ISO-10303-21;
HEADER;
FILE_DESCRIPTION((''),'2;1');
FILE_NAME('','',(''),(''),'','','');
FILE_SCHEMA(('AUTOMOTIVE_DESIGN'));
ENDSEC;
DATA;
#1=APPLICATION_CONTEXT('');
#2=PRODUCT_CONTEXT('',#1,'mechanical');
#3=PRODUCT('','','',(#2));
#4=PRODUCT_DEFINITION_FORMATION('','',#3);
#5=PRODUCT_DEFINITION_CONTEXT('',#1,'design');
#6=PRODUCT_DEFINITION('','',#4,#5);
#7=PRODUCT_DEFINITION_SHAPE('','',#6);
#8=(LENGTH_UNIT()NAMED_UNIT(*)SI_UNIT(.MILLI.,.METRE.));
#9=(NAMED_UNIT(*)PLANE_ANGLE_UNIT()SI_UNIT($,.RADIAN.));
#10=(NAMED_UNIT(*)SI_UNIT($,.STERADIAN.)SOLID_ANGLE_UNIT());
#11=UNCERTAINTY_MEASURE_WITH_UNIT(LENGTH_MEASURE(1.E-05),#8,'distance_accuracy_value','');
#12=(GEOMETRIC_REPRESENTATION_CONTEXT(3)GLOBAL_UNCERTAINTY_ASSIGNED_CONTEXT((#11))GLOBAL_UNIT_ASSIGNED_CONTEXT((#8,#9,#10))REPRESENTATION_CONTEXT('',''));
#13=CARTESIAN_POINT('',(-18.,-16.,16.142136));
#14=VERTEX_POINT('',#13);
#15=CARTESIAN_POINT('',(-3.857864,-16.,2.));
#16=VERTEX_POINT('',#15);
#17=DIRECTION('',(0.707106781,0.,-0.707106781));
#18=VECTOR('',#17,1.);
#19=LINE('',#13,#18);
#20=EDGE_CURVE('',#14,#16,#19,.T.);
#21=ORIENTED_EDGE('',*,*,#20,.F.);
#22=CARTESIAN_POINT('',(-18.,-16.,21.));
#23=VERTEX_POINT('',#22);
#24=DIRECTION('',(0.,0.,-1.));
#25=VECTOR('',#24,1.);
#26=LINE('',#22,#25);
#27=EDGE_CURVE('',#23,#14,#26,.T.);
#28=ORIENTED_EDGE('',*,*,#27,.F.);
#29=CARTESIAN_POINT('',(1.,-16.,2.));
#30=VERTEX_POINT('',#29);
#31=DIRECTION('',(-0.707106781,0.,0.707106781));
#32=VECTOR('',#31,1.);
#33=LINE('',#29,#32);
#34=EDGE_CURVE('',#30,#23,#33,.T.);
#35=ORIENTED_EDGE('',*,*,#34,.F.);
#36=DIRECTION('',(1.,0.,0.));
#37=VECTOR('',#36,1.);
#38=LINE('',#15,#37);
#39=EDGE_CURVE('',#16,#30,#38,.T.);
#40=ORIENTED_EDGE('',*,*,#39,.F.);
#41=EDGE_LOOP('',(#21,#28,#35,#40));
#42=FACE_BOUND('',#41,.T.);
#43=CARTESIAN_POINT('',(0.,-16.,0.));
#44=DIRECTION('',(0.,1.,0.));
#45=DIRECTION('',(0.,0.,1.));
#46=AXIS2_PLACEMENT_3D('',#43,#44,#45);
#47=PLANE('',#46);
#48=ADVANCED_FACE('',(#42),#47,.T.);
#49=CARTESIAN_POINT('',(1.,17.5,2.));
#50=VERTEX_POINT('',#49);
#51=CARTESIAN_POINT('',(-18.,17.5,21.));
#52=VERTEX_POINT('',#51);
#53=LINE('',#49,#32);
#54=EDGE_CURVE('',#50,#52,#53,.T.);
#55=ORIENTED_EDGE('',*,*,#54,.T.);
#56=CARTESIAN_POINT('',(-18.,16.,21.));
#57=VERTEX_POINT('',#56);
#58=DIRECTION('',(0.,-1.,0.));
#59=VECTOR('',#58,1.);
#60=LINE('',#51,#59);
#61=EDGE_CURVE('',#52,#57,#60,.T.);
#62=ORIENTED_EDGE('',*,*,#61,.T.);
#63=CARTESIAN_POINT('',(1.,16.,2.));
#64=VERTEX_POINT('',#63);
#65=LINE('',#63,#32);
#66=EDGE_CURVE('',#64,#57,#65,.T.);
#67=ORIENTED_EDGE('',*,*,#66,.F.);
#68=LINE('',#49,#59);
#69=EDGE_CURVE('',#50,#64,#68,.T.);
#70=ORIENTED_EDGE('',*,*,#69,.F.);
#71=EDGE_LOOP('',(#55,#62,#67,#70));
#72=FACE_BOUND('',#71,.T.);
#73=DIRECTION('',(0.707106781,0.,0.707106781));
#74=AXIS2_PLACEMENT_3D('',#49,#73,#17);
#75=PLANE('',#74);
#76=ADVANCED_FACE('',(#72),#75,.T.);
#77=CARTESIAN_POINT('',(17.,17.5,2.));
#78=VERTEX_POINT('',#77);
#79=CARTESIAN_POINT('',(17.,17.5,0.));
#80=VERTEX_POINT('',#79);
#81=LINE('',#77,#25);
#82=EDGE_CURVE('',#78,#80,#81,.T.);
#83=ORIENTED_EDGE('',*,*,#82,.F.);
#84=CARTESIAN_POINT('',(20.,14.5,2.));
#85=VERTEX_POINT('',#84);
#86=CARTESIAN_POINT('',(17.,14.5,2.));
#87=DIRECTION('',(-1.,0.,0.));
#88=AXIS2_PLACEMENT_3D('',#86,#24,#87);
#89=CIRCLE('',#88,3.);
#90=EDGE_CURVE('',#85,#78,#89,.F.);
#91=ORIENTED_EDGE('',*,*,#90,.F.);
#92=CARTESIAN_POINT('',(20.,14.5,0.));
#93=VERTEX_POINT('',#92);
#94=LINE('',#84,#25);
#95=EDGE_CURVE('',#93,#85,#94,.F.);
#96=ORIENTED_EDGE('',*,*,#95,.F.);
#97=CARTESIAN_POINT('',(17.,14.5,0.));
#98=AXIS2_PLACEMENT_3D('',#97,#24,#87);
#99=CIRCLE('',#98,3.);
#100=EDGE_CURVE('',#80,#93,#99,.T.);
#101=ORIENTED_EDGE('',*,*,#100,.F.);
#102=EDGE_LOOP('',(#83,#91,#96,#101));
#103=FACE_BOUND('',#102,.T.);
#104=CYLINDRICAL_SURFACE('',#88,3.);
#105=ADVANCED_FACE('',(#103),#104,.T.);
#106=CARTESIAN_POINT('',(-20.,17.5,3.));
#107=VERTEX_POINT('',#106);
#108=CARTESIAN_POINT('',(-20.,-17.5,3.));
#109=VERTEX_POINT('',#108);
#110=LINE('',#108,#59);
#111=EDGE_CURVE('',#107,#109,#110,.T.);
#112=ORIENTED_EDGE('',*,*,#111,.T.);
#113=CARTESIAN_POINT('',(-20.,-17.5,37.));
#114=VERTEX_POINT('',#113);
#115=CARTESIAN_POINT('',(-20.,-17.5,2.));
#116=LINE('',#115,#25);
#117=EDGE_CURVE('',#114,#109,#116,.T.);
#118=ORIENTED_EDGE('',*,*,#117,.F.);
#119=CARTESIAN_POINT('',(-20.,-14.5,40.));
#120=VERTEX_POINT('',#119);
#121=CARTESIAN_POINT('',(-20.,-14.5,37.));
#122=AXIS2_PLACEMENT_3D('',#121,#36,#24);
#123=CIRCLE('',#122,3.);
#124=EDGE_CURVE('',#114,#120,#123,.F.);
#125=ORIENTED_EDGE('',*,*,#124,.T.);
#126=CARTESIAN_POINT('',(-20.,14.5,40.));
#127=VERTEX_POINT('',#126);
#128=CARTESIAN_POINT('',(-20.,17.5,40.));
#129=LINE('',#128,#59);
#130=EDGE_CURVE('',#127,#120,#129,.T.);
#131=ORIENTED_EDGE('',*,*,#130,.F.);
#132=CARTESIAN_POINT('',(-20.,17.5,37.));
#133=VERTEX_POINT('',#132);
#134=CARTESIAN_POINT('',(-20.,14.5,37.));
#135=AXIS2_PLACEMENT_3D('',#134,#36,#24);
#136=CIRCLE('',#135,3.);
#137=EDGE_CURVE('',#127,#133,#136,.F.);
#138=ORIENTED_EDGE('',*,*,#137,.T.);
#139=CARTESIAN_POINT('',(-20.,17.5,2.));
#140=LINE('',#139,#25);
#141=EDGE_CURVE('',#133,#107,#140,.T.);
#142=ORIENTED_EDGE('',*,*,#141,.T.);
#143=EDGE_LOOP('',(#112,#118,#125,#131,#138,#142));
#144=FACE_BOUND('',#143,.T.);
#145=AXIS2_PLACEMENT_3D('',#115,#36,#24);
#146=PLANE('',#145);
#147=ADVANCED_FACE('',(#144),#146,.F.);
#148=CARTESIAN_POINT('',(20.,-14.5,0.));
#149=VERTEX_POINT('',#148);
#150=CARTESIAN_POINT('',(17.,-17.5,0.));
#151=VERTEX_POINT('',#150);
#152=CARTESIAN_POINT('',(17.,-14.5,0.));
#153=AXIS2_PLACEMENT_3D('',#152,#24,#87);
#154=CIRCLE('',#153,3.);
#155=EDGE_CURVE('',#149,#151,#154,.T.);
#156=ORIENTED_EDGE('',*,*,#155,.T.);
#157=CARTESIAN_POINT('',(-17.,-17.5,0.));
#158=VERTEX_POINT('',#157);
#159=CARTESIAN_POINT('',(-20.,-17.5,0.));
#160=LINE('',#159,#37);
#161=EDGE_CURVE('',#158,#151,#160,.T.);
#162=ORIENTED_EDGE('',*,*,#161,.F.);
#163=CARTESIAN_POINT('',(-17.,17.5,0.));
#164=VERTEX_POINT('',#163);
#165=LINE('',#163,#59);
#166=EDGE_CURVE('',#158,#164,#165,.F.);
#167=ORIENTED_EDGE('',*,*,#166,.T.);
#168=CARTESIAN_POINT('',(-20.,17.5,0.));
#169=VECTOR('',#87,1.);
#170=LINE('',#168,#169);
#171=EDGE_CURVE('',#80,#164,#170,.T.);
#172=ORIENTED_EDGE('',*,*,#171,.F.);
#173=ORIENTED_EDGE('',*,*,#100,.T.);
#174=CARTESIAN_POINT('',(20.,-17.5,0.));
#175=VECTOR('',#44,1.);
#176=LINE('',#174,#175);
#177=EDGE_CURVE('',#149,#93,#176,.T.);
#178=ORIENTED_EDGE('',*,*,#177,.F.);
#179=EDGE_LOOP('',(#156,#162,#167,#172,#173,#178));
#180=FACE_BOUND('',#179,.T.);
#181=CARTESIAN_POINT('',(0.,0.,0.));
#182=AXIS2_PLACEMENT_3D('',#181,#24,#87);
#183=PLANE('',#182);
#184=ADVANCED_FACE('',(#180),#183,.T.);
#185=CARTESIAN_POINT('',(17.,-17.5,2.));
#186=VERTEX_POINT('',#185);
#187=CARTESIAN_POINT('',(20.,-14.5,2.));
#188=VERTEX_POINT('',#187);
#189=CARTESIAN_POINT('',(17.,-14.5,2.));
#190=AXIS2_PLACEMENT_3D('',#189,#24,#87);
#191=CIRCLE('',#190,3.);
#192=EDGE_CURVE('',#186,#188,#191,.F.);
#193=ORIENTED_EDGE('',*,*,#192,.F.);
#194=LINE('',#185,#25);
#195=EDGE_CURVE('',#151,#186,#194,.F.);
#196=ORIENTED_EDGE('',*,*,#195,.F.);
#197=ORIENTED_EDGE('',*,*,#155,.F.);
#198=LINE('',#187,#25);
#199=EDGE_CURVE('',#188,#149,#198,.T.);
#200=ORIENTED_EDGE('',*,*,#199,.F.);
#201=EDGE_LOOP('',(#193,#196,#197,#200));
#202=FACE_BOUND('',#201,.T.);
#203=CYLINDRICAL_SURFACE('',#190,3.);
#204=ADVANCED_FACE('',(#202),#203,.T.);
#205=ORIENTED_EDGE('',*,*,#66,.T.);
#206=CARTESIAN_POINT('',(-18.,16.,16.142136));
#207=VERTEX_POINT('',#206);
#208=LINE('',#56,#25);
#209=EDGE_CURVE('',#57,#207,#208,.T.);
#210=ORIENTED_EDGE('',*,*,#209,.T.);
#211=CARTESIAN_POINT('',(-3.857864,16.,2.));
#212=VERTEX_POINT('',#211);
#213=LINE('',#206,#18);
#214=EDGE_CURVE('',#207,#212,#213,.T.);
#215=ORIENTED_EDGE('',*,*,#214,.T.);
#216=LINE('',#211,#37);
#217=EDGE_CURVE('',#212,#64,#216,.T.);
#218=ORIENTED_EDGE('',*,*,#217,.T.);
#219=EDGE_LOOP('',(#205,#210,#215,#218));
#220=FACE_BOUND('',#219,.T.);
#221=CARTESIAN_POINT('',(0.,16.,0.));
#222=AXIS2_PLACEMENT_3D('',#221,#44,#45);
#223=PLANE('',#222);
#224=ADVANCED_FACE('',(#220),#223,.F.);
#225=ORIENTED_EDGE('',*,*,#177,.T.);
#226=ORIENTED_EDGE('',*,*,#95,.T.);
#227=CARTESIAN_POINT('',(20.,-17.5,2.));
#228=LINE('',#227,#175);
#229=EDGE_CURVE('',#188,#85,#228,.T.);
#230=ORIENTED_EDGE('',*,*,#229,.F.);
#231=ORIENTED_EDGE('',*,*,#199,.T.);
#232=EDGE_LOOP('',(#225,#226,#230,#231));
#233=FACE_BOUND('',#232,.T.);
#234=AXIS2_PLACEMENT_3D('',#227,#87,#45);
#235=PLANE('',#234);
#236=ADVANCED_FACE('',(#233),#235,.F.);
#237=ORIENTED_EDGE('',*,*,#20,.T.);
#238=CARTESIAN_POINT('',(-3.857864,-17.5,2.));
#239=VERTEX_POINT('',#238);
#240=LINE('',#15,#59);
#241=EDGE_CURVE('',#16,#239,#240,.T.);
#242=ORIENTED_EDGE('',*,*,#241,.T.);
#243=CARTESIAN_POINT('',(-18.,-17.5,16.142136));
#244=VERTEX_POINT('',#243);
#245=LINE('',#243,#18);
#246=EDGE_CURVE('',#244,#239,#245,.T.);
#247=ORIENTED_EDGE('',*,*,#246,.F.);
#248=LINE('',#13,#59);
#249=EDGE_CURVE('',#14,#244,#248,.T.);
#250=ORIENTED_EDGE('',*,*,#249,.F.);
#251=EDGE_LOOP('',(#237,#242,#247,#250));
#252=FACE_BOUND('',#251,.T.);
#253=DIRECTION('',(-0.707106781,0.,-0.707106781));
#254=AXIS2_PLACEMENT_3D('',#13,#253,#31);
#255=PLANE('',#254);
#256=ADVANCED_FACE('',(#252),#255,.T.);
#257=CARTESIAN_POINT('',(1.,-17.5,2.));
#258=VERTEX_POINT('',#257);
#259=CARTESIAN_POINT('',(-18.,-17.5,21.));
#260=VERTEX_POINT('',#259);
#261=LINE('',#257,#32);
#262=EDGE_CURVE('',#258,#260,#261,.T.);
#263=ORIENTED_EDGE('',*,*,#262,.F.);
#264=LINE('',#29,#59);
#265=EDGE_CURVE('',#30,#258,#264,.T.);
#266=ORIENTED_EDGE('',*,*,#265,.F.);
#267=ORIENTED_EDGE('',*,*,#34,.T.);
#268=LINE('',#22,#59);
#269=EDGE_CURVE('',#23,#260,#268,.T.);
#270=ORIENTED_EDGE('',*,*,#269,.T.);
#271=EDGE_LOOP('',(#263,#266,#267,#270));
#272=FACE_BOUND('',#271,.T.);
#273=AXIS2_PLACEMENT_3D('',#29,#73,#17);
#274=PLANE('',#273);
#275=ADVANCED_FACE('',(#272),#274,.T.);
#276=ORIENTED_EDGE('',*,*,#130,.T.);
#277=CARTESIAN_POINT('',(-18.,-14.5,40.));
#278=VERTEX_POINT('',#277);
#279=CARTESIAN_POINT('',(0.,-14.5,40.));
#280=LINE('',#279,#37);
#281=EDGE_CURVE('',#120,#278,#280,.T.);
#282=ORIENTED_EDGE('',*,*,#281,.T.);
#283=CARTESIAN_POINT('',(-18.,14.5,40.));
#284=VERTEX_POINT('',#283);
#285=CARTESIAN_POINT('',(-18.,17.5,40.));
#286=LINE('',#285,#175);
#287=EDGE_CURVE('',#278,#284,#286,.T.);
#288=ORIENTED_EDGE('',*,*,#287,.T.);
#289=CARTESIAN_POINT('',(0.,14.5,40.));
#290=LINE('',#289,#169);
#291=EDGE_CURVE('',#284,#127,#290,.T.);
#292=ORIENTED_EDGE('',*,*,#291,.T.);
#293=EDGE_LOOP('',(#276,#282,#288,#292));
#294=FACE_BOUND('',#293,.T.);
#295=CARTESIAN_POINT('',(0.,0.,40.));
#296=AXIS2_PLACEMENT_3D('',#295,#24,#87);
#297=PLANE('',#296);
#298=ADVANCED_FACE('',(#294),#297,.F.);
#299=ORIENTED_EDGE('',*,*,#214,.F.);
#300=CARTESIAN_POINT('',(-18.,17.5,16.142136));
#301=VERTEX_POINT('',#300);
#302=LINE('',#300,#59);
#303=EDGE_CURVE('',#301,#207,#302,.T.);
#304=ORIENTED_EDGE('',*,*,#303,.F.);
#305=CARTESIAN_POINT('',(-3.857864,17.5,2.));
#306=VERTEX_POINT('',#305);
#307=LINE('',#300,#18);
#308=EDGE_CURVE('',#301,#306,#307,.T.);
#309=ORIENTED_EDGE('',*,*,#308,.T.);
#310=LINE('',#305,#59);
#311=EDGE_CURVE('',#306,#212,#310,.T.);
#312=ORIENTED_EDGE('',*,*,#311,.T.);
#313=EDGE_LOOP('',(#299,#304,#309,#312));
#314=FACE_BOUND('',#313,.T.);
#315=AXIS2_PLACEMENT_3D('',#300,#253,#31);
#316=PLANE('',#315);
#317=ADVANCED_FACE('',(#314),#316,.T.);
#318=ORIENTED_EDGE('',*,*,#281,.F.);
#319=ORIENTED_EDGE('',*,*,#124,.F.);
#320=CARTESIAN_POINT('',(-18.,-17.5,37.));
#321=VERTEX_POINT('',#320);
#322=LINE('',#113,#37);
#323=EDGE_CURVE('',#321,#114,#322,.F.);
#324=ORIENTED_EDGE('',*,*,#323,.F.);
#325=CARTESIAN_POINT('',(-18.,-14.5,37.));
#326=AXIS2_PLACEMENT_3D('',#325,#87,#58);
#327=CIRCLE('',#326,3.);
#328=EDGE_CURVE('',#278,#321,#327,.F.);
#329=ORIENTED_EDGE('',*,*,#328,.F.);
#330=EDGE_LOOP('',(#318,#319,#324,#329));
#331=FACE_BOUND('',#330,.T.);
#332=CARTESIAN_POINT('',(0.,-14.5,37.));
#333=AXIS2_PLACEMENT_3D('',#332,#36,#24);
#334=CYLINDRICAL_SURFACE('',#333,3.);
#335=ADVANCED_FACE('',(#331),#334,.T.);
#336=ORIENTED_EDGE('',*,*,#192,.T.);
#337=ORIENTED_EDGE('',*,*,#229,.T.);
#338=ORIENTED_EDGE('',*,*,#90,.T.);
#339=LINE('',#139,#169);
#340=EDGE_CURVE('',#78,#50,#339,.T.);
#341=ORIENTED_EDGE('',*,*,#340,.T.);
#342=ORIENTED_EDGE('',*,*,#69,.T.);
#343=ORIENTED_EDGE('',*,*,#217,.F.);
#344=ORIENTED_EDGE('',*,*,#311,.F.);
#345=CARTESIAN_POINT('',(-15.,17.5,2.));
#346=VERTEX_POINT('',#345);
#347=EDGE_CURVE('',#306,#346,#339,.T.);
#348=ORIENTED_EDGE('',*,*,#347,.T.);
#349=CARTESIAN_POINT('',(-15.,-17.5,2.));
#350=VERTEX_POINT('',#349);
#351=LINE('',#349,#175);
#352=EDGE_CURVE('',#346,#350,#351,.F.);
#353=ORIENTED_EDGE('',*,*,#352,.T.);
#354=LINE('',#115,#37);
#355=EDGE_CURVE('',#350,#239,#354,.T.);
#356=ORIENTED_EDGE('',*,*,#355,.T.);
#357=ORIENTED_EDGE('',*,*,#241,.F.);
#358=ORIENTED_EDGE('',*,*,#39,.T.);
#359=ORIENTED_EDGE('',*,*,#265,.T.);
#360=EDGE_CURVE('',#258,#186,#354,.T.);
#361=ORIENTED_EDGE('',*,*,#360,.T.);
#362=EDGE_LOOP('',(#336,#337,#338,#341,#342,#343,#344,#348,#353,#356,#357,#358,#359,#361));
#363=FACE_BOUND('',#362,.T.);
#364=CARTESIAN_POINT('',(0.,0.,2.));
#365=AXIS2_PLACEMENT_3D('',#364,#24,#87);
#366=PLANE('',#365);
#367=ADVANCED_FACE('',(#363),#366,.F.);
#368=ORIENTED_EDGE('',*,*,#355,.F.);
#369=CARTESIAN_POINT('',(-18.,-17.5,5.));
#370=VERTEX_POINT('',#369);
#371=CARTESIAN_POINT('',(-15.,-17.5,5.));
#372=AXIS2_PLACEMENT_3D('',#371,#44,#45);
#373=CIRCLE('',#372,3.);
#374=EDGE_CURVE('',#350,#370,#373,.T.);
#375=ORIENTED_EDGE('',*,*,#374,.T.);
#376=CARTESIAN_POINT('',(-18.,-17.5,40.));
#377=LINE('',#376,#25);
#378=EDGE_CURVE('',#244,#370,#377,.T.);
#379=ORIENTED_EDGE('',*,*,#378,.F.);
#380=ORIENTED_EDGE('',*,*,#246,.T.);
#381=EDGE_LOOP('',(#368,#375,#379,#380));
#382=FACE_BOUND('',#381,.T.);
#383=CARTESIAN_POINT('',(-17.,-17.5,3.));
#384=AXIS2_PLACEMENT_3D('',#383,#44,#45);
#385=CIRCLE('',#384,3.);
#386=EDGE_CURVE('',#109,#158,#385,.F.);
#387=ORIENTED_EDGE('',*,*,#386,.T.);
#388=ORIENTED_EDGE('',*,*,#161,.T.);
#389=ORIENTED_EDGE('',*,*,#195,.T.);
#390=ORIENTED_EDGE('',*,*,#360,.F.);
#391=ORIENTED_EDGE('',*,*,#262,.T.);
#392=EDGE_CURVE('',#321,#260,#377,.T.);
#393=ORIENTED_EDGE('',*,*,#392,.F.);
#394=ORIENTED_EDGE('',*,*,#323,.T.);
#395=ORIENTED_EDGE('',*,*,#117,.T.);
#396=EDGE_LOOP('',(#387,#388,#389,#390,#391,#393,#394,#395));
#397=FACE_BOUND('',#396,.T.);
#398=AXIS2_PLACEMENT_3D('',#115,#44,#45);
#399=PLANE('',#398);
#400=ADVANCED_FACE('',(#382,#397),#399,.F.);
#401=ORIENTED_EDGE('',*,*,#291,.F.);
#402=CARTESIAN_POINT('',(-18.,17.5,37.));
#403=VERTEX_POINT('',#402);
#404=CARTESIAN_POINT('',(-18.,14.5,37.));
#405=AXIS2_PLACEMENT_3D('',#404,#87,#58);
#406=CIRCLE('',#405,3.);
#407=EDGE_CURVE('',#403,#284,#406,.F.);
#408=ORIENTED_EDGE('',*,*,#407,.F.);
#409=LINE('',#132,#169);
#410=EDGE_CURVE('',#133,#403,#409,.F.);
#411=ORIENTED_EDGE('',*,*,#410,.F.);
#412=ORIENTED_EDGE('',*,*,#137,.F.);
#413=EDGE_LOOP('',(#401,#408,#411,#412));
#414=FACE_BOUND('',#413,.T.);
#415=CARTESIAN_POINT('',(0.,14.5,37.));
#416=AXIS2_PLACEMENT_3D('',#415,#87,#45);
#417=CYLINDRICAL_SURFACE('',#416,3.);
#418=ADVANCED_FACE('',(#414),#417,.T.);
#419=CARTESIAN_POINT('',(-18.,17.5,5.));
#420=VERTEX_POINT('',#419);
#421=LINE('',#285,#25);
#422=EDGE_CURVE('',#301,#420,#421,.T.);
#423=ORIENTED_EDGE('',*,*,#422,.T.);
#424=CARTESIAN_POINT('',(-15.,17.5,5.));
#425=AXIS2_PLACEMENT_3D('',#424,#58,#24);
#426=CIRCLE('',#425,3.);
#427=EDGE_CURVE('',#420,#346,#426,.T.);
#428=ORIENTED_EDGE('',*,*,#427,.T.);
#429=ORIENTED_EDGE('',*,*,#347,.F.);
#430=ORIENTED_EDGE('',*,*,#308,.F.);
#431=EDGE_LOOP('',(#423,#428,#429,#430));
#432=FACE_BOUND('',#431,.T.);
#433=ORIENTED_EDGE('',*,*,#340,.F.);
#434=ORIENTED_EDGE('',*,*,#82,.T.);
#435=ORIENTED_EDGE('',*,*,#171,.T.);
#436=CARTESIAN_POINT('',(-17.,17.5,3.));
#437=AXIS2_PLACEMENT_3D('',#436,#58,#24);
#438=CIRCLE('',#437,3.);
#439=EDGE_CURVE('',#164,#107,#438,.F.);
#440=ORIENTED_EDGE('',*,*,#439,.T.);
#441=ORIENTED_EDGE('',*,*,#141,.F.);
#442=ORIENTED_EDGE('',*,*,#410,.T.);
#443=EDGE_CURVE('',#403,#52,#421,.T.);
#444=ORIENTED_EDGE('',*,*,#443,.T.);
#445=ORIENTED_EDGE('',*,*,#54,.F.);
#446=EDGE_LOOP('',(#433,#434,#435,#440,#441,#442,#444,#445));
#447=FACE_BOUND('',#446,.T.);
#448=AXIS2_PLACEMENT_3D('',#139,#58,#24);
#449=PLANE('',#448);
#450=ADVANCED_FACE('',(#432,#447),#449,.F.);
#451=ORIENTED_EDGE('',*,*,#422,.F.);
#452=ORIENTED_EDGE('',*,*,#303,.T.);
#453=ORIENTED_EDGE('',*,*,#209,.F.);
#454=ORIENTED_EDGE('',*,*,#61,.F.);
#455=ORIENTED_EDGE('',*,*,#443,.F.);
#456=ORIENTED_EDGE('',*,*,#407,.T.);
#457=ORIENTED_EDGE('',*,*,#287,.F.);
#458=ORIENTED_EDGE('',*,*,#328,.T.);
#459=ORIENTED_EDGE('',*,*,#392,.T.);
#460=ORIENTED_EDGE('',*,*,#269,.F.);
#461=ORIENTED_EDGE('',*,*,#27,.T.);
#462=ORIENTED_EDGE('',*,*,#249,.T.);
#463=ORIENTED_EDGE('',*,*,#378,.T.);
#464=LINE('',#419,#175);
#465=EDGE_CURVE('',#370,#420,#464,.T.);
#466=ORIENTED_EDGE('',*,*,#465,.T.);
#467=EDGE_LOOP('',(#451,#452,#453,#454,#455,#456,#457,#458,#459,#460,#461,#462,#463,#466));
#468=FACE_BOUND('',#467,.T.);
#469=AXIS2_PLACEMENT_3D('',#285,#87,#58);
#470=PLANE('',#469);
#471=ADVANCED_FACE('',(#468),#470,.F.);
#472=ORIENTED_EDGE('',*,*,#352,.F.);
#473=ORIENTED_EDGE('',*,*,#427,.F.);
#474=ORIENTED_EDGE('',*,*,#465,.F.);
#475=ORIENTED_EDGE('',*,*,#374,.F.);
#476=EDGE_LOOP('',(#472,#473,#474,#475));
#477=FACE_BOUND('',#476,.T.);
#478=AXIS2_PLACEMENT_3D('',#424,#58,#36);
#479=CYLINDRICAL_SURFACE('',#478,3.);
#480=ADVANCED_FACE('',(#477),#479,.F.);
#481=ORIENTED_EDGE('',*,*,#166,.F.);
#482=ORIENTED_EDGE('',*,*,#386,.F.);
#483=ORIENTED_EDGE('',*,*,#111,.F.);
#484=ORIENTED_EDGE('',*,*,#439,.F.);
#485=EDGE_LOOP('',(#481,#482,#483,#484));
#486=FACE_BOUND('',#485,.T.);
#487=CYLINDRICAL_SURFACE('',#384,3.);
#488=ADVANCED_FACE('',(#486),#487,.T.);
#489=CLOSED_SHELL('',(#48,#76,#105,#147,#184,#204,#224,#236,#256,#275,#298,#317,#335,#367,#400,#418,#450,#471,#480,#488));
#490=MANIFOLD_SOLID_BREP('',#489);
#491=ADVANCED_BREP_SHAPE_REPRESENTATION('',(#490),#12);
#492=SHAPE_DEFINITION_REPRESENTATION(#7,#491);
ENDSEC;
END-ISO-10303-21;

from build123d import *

# Parameters (mm, degrees)
SKETCH1_W           = 40
SKETCH1_H           = 35
BOSS_EXTRUDE1_DEPTH = 2
SKETCH2_W           = 2
SKETCH2_H           = 35
BOSS_EXTRUDE2_DEPTH = 38
FILLET1_R           = 3
BOSS_EXTRUDE3_DEPTH = 1.5
BOSS_EXTRUDE4_START = -33.5
BOSS_EXTRUDE4_DEPTH = 1.5


with BuildPart() as part:
    # Sketch1 → Boss-Extrude1 (new body)
    with BuildSketch(Plane.XY):
        Rectangle(SKETCH1_W, SKETCH1_H)
    extrude(amount=BOSS_EXTRUDE1_DEPTH)

    # Sketch2 → Boss-Extrude2 (add)
    with BuildSketch(Plane.XY.offset(2)):
        with Locations((-19, 0)):
            Rectangle(SKETCH2_W, SKETCH2_H)
    extrude(amount=BOSS_EXTRUDE2_DEPTH)

    # Fillet1
    fillet1_edges = [part.edges().sort_by_distance(p)[0] for p in [
        (-18, 0, 2),
        (-19, 17.5, 40),
        (-19, -17.5, 40),
        (-20, 0, 0),
        (20, -17.5, 1),
        (20, 17.5, 1),
    ]]
    fillet(fillet1_edges, radius=FILLET1_R)

    # Sketch3 → Boss-Extrude3 (add)
    with BuildSketch(Plane.XZ.offset(17.5)):
        Polygon((1, 2), (-18, 21), (-18, 16.142135624), (-3.857864376, 2), align=None)
    extrude(amount=-BOSS_EXTRUDE3_DEPTH)

    # Sketch3<2> → Boss-Extrude4 (add)
    with BuildSketch(Plane.XZ.offset(17.5).offset(BOSS_EXTRUDE4_START)):
        Polygon((1, 2), (-18, 21), (-18, 16.142135624), (-3.857864376, 2), align=None)
    extrude(amount=-BOSS_EXTRUDE4_DEPTH)


solid = part.part
